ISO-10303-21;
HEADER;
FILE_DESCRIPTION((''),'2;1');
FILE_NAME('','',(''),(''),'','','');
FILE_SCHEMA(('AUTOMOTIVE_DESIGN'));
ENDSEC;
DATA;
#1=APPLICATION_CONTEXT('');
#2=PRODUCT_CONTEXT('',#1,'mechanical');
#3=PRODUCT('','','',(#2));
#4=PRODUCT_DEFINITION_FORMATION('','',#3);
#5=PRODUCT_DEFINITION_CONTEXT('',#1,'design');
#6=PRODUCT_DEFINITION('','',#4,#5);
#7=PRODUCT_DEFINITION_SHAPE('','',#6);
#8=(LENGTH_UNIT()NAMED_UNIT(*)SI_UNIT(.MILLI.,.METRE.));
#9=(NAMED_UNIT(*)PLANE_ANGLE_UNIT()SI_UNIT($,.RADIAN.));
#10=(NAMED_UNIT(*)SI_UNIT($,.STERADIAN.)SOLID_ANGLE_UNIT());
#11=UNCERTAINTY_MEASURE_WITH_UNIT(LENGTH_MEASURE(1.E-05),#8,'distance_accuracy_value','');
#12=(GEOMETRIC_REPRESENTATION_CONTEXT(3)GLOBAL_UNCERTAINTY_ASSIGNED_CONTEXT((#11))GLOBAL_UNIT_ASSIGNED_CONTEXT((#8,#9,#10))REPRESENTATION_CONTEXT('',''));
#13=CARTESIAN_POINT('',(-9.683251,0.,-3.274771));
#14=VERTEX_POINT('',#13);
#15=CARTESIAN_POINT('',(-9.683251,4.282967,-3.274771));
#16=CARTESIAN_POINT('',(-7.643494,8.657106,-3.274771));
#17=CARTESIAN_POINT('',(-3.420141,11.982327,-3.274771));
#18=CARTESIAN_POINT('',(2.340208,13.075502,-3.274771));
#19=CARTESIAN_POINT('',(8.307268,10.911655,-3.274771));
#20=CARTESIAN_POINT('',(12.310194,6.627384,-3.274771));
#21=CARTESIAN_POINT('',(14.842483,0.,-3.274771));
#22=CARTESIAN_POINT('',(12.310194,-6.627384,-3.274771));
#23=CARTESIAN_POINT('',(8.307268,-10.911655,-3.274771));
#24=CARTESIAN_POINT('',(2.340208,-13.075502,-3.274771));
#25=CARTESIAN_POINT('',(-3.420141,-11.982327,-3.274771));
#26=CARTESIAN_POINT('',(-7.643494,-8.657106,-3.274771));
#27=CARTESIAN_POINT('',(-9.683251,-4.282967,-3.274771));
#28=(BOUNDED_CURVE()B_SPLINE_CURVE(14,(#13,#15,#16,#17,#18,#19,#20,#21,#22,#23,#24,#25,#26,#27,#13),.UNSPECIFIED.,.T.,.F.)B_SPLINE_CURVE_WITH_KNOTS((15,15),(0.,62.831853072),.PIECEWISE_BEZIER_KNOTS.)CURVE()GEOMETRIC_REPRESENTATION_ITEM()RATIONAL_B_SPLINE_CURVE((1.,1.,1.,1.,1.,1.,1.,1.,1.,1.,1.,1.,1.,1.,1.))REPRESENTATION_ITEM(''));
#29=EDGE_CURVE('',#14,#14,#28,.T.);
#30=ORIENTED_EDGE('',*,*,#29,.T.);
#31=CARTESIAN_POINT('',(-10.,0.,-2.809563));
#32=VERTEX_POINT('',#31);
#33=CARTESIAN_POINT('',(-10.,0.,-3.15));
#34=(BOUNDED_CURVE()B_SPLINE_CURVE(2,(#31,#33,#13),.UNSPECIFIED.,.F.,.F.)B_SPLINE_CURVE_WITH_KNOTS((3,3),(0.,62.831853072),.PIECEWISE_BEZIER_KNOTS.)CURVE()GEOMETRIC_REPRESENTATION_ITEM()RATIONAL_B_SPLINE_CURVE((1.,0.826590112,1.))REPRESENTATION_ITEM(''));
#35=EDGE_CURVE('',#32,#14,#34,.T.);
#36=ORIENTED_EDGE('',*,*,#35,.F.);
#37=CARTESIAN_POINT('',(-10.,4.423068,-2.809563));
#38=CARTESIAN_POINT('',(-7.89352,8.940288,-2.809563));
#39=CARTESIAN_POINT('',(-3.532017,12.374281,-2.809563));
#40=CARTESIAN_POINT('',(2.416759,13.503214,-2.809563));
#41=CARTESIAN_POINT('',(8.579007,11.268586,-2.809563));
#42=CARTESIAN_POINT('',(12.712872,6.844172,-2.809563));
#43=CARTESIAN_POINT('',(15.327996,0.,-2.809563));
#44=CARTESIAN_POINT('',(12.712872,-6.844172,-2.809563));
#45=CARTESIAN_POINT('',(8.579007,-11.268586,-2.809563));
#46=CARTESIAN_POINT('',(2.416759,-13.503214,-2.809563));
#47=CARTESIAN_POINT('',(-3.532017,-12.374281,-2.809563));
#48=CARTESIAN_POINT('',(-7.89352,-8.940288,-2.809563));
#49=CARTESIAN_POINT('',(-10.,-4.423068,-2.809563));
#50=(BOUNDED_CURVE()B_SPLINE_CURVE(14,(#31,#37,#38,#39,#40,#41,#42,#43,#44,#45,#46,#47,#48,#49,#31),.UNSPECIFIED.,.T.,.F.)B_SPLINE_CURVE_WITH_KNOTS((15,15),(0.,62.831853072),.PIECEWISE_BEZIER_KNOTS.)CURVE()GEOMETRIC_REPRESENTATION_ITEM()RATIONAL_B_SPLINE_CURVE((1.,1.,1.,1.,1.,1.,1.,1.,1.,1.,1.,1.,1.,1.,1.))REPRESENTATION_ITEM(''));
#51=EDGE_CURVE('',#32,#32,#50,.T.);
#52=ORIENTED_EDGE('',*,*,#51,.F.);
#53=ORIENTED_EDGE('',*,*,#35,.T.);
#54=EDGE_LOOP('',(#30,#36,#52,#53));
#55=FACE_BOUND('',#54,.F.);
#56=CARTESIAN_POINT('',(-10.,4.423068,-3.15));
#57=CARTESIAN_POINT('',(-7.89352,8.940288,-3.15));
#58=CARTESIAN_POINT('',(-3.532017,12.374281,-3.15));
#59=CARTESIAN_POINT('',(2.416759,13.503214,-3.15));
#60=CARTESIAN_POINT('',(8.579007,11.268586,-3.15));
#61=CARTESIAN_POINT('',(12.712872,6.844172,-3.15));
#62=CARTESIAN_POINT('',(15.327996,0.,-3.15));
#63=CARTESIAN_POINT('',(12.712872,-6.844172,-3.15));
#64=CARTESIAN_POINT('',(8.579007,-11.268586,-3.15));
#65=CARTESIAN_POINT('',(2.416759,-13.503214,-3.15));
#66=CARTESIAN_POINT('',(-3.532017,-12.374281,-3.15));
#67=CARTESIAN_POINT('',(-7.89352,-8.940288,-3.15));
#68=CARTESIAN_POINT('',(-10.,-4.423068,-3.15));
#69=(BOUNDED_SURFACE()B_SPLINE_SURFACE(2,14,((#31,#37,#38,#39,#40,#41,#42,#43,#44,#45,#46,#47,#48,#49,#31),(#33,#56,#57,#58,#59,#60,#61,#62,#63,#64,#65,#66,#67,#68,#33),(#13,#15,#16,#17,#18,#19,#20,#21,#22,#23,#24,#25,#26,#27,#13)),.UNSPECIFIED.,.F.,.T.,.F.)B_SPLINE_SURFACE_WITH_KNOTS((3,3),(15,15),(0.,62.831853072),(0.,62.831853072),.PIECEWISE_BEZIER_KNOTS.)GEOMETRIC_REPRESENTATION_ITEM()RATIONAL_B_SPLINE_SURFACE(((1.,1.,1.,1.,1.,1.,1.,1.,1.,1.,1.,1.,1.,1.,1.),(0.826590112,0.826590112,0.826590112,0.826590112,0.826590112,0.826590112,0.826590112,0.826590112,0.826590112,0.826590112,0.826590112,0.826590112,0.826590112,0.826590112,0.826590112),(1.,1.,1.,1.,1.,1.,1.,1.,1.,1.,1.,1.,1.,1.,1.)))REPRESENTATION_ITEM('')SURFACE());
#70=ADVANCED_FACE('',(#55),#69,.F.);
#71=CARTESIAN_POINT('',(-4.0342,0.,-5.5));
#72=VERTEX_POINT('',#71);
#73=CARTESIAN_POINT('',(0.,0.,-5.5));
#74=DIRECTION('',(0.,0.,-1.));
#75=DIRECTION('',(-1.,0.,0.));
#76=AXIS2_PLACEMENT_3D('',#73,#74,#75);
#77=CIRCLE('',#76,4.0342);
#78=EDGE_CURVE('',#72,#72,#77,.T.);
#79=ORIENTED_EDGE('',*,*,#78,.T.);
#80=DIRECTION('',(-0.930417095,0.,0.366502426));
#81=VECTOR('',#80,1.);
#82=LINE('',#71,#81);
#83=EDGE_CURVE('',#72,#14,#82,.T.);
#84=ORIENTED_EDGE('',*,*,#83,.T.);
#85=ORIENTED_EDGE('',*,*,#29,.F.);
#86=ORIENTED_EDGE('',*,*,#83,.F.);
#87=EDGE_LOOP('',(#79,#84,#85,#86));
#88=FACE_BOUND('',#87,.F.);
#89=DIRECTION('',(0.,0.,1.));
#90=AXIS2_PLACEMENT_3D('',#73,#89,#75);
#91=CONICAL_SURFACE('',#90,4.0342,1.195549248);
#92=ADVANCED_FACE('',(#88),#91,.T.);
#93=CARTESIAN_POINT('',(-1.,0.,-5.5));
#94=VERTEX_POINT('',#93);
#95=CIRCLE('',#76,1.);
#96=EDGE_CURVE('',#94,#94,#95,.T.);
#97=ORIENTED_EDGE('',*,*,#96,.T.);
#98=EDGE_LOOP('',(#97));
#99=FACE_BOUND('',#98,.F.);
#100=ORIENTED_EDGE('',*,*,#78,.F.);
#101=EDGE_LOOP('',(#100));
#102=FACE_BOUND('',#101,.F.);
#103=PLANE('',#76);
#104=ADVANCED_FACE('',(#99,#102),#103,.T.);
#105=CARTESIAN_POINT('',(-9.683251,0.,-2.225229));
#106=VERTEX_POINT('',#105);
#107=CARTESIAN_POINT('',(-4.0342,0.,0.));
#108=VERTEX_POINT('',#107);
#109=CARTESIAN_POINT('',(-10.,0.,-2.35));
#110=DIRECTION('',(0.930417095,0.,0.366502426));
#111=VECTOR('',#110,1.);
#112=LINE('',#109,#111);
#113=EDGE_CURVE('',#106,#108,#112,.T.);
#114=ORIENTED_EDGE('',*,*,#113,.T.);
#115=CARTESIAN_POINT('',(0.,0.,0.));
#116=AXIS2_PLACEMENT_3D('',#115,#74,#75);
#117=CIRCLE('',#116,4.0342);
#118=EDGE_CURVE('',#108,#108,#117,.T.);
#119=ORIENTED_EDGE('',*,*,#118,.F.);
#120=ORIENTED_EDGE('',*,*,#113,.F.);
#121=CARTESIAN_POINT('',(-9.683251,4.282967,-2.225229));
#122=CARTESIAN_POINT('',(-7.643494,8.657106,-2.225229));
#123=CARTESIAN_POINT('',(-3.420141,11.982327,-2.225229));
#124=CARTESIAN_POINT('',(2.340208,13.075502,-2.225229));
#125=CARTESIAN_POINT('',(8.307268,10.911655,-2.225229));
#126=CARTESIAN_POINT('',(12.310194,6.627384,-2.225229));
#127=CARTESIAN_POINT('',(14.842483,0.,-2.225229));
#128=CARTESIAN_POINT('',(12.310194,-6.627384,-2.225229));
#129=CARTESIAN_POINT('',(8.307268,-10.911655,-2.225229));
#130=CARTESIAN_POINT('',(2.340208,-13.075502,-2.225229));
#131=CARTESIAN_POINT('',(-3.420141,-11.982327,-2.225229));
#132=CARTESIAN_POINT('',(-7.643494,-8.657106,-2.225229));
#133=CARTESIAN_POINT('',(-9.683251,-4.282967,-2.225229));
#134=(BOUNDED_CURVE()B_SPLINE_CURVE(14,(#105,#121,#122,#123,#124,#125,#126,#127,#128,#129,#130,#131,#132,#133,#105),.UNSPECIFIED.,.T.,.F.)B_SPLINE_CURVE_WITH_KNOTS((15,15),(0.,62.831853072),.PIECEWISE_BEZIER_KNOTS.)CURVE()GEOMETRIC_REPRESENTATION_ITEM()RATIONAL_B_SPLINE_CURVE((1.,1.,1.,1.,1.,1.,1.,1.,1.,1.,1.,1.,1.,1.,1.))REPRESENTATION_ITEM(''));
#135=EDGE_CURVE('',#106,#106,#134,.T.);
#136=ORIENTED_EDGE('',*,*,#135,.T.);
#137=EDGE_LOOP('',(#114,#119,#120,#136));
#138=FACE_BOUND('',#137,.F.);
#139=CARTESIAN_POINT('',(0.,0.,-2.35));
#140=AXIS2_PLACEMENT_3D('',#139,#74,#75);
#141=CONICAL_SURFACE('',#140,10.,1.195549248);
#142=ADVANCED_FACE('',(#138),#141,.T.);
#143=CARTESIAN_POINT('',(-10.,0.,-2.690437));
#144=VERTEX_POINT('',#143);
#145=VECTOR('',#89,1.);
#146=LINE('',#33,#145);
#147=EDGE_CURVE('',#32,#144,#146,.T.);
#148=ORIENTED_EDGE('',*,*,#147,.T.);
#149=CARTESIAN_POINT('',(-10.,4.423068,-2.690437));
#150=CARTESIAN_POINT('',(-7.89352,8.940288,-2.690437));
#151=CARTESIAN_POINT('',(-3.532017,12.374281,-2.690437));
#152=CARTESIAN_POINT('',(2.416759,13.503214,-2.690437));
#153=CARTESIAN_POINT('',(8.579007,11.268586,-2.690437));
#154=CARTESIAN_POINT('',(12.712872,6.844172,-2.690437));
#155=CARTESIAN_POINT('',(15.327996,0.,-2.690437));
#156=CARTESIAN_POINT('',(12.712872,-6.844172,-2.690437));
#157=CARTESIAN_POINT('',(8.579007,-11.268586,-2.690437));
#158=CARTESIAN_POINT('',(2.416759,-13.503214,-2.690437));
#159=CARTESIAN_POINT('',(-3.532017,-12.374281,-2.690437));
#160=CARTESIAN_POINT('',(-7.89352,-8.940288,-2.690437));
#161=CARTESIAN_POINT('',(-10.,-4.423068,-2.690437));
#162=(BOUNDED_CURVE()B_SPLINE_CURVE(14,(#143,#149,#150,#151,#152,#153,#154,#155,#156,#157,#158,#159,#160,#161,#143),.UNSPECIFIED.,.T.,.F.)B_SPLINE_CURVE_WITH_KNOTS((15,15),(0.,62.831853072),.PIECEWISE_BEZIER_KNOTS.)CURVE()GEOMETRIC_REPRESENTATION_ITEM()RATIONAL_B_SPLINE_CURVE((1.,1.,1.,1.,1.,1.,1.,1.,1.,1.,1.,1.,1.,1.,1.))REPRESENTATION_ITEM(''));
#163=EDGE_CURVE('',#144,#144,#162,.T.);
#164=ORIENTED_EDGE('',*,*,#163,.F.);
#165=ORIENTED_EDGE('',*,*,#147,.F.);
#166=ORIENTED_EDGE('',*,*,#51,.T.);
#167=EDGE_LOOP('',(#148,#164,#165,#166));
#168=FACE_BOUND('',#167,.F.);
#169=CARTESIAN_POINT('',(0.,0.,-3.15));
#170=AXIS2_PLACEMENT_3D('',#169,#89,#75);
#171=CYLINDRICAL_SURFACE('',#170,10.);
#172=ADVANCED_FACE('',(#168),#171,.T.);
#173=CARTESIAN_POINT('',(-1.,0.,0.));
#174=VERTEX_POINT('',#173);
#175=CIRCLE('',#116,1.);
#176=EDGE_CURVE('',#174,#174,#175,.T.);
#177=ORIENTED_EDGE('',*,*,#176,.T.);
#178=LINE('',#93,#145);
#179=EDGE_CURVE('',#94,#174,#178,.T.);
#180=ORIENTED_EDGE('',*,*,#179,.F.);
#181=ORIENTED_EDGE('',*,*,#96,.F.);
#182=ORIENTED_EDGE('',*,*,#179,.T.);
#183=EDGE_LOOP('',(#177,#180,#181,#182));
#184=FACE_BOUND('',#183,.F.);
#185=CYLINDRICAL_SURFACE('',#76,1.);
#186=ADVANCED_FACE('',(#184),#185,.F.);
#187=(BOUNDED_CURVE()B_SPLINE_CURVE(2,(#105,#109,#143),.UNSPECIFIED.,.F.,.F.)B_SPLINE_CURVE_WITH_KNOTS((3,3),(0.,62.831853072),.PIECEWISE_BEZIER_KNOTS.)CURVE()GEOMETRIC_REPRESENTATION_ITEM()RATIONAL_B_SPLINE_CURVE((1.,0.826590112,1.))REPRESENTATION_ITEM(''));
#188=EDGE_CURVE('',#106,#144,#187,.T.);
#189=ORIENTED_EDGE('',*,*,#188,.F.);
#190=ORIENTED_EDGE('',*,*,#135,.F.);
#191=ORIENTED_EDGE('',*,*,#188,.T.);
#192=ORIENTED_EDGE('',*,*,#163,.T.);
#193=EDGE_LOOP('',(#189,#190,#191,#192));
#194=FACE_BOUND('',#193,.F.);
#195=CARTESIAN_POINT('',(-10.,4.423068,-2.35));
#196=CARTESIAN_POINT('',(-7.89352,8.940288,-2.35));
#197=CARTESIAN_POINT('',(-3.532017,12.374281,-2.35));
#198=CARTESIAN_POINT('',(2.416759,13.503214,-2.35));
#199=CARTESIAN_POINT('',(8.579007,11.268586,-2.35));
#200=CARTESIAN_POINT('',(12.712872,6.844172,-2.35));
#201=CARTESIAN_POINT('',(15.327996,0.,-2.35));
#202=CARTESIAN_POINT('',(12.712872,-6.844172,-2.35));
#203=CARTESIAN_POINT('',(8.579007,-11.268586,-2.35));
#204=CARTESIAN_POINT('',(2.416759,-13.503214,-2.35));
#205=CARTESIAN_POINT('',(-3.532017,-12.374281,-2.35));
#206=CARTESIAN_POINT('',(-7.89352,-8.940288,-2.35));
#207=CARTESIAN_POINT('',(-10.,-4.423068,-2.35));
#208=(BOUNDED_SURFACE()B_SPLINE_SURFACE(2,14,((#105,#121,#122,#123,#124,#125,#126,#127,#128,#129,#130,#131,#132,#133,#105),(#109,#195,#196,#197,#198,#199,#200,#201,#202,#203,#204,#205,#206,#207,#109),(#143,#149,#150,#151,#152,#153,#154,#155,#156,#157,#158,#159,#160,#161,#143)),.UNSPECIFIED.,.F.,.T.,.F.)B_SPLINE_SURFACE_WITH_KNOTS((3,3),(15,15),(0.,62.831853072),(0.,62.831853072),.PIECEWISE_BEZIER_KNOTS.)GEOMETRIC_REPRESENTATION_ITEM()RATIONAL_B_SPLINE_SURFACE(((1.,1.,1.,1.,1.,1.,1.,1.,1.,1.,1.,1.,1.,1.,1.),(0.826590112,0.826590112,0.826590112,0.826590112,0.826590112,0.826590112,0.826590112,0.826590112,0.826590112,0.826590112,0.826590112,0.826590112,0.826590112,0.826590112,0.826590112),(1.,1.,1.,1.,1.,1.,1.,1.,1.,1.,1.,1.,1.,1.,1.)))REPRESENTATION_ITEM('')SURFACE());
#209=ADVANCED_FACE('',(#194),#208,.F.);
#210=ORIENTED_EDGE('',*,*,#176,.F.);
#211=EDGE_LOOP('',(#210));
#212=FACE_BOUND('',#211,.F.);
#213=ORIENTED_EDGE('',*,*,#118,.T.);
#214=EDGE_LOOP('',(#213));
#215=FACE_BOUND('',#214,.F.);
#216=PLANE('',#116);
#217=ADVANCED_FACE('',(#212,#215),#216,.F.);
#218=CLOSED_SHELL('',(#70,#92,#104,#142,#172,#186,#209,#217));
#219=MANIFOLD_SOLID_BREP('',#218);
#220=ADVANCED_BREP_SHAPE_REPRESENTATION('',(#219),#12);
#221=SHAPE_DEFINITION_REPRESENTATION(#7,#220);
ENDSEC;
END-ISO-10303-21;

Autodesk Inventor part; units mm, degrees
ref_plane "YZ Plane" through (0, 0, 0) normal (1, 0, 0) x (0, 1, 0)
ref_plane "XZ Plane" through (0, 0, 0) normal (0, 1, 0) x (-1, 0, 0)
sketch "Sketch1" plane through (0, 0, 0) normal (0, 1, 0) x (-1, 0, 0)
  line L0 (0, 0) -> (0, -5.5)
  line L1 (0, -5.5) -> (4.0342, -5.5)
  line L2 (4.0342, -5.5) -> (10, -3.15)
  line L3 (10, -3.15) -> (10, -2.35)
  line L4 (10, -2.35) -> (4.0342, 0)
  line L5 (4.0342, 0) -> (0, 0)
  point P0 (10, -2.75)
  dimension "d0" = 43
  dimension "d2" = 0.8
  dimension "d3" = 10
  dimension "d4" = 5.5
revolve "Revolution1" add sketch "Sketch1" angle 360 about axis through (0, 0, 0) along (0, 0, -1)
sketch "Sketch2" plane through (0, 0, -5.5) normal (0, 0, -1) x (-1, 0, 0)
  circle A0 centre (0, 0) radius 4.0342 projected
  circle A1 centre (0, 0) radius 1
  dimension "d6" = 2
extrude "Extrusion1" cut sketch "Sketch2" against normal through all contours A1
ref_plane "Work Plane1" through (0, 0, -2.75) normal (0, 0, -1) x (-1, 0, 0)
fillet "Fillet1" radius 0.5 2 edges at (10, 0, -2.35) (10, 0, -3.15)
properties part number "pritlacne_kolecko"
